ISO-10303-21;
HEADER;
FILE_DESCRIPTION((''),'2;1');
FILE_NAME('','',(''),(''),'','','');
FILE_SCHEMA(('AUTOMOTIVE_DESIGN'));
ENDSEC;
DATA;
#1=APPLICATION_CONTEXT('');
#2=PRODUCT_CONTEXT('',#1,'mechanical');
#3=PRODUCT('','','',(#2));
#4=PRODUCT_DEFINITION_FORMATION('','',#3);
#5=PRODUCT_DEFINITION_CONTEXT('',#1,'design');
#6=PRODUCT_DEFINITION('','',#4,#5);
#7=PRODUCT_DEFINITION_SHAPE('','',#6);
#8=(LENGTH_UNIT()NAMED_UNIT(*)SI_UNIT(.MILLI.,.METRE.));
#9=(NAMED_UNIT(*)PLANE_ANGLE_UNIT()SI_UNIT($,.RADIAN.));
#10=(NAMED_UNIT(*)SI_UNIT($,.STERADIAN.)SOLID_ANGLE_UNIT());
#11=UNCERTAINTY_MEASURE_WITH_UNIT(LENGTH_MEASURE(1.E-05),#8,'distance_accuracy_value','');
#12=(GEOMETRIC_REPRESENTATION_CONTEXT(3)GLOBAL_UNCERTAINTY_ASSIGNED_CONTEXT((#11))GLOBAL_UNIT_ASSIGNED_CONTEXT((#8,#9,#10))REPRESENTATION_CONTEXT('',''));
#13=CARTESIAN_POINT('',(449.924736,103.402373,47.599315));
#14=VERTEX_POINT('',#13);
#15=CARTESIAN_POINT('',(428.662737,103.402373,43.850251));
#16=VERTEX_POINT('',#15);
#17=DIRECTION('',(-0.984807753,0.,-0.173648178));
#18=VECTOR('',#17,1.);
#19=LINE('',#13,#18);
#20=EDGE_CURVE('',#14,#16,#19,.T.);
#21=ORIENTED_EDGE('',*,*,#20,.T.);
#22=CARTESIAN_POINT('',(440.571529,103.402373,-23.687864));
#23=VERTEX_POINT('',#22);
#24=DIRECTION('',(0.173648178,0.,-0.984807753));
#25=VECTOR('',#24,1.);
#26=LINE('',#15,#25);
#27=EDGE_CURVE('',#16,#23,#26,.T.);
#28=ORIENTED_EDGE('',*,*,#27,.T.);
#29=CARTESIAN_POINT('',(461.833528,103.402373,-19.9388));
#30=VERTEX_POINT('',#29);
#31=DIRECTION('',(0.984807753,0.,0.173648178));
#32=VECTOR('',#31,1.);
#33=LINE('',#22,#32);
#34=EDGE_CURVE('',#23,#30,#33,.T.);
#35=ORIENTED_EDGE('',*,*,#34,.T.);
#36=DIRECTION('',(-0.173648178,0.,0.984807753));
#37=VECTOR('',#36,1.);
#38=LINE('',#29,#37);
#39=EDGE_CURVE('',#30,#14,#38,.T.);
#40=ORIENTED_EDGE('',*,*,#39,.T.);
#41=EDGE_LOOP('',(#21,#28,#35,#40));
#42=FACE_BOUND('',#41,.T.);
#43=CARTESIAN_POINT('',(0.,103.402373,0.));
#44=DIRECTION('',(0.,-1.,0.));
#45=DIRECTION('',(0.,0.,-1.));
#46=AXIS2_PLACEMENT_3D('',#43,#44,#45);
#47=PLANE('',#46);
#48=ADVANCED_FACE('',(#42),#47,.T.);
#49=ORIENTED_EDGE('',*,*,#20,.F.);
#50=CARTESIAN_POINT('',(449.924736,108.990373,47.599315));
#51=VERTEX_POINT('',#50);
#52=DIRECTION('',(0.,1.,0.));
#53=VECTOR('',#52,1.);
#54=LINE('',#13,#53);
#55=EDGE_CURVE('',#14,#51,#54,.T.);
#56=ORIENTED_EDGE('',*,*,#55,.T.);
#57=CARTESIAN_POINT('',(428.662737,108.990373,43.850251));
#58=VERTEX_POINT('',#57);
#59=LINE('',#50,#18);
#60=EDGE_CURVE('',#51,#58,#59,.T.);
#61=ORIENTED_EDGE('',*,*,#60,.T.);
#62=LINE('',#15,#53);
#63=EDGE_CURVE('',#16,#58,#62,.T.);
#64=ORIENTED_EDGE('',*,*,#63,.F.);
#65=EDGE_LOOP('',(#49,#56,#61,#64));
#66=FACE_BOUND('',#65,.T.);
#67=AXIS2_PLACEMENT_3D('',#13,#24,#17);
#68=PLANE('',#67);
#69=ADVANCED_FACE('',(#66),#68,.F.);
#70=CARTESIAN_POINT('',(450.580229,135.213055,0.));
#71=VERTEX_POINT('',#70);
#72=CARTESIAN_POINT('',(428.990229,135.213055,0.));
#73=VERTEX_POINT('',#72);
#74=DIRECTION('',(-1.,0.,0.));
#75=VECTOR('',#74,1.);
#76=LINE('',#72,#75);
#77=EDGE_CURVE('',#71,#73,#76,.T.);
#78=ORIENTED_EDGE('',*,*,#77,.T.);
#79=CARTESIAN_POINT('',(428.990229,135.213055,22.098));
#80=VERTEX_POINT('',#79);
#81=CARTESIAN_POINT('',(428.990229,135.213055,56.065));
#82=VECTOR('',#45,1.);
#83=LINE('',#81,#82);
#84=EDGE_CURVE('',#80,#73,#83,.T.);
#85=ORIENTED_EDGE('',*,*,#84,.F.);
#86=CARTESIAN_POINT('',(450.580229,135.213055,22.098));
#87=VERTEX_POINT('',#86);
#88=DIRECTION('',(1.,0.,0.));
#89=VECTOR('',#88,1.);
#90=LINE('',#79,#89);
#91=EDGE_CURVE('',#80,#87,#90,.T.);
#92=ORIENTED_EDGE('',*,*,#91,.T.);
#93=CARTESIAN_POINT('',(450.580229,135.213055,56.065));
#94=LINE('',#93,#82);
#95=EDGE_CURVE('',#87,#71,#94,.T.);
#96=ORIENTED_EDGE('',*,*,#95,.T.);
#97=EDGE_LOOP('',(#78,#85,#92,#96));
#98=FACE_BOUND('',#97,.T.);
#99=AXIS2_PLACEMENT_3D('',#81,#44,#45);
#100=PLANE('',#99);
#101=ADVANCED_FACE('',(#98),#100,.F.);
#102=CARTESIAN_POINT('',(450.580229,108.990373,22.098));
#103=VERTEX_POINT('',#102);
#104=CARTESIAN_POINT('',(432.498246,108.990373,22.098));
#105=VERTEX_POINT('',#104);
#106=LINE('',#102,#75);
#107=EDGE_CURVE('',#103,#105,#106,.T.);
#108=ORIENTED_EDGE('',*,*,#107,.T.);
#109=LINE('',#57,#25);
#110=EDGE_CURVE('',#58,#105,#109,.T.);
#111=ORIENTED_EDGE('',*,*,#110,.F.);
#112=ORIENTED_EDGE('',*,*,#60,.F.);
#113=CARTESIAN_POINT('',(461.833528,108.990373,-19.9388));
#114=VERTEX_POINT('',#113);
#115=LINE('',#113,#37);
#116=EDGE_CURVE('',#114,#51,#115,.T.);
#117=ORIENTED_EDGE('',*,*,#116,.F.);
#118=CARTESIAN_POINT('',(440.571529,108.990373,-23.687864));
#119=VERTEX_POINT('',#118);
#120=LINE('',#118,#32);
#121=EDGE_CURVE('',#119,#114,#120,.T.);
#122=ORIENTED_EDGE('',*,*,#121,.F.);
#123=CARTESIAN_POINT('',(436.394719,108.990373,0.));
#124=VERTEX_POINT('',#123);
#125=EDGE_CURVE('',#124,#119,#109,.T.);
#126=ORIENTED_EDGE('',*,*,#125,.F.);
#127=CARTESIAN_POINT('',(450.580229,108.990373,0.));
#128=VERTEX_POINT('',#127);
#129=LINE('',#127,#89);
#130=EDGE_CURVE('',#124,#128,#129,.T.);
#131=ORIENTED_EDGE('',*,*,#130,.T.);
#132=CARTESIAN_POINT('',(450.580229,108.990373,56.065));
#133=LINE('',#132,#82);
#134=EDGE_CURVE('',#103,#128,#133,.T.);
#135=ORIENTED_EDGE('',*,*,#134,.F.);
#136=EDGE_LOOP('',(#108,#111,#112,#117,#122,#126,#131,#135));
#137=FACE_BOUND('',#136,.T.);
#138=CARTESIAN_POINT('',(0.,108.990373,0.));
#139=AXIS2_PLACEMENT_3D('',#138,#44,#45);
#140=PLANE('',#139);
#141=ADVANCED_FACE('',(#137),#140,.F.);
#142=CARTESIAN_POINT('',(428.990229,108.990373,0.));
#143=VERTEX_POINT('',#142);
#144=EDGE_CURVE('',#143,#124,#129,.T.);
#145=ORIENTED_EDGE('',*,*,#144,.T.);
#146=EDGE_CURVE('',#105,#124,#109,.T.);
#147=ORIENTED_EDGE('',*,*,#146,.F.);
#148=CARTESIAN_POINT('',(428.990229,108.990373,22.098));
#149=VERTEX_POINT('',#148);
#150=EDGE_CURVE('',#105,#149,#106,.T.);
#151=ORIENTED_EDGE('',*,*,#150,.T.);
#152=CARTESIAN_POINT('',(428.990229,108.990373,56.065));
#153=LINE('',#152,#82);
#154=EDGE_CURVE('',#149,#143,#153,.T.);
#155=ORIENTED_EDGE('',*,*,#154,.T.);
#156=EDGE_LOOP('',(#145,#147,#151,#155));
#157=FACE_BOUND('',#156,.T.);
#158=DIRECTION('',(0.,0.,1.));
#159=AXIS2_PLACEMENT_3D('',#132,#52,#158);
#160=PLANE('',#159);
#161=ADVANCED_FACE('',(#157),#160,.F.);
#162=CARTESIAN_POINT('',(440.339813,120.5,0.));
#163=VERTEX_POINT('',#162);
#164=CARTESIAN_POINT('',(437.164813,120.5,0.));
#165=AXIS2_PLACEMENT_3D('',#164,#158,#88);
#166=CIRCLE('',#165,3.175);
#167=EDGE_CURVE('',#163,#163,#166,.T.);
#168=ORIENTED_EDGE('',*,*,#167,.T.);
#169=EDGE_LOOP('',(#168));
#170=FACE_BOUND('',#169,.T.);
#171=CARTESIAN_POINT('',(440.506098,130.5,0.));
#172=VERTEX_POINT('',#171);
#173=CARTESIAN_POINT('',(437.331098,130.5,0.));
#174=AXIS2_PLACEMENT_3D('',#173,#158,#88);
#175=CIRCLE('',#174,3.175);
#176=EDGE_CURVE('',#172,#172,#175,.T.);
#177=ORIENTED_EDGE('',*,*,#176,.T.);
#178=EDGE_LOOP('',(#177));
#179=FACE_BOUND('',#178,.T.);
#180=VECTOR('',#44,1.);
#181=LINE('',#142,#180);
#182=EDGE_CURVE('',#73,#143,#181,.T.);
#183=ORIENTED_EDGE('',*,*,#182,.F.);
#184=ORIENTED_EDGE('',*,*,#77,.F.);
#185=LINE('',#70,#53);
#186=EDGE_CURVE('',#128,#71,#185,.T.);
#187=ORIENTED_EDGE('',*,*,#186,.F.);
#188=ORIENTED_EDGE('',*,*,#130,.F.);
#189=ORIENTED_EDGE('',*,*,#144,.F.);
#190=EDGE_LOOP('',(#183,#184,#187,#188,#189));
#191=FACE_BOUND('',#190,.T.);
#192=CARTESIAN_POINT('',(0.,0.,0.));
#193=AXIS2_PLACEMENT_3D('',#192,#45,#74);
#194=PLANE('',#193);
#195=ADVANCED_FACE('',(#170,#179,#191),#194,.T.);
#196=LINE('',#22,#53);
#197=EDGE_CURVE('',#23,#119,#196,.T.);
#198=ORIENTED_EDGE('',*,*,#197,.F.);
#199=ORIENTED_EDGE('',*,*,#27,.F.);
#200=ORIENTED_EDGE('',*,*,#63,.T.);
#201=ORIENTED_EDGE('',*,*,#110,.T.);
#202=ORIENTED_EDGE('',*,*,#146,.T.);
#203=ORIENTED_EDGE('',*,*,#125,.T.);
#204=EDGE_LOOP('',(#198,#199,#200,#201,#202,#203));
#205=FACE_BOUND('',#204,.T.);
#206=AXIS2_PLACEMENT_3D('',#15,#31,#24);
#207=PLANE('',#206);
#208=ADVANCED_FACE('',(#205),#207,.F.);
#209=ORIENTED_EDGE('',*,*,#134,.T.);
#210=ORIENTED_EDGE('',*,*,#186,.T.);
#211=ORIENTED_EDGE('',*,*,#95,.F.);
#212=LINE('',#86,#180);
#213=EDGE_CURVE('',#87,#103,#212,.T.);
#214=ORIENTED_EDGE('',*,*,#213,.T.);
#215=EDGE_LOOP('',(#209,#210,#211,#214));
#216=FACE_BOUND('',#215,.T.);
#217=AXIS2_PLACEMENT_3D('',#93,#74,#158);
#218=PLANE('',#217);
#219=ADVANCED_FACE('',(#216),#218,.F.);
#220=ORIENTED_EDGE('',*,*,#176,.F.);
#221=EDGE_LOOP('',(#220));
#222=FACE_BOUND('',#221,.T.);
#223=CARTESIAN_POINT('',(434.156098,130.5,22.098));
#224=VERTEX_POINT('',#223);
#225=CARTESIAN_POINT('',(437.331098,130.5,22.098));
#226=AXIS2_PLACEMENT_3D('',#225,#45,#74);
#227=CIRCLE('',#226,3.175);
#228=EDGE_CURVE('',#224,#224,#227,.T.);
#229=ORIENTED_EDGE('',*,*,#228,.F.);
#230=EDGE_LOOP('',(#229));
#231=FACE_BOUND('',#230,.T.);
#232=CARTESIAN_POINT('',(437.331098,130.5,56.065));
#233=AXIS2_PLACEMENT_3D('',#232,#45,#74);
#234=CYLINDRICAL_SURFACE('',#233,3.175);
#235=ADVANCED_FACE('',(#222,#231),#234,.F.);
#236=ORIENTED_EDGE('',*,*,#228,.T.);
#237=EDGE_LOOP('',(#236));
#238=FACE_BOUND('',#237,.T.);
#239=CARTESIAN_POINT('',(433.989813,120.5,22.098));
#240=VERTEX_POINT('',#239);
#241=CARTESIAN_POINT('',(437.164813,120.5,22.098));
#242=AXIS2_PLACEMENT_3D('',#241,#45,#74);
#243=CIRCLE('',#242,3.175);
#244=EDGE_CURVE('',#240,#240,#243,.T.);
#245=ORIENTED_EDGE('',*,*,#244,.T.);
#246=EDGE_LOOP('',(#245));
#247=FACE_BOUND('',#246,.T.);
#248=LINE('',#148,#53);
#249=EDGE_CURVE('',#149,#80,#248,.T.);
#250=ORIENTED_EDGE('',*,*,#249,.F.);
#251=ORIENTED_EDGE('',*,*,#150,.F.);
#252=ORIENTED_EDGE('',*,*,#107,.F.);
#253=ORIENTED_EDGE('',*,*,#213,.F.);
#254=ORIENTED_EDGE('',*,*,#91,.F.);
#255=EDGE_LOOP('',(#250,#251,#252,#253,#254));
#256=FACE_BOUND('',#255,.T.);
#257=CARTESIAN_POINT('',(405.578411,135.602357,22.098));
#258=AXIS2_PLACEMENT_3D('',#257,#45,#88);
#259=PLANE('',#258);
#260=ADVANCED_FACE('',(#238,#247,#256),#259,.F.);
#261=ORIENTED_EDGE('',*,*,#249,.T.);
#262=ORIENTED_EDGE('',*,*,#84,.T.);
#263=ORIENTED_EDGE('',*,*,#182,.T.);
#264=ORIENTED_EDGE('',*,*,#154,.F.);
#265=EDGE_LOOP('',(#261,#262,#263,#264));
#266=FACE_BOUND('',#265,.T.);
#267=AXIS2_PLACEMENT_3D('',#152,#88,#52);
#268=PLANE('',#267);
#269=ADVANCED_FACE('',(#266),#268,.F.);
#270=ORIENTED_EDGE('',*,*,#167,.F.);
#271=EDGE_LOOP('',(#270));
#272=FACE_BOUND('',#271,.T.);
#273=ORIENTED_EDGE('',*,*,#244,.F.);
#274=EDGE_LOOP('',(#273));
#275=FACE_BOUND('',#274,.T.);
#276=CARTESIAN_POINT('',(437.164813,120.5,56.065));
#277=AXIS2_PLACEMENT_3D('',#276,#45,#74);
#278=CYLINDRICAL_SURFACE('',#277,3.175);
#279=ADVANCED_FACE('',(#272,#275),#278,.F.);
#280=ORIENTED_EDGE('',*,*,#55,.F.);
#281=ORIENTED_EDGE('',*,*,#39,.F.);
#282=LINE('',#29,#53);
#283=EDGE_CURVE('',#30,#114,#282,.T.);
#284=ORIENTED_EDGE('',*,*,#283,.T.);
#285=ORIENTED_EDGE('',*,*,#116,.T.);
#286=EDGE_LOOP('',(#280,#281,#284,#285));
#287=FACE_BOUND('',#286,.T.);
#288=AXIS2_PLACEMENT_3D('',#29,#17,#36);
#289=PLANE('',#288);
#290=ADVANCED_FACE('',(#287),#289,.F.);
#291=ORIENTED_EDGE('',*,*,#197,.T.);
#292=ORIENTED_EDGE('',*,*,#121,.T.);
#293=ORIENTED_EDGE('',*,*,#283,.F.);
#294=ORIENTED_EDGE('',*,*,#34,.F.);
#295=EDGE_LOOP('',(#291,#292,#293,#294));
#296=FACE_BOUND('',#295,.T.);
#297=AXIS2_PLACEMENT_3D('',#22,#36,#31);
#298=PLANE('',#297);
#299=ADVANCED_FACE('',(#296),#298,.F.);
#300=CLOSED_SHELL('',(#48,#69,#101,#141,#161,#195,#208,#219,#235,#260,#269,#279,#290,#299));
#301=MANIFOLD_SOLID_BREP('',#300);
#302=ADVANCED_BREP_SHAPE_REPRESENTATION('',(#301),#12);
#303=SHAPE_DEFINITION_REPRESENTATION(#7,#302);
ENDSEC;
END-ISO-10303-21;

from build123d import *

# Parameters (mm, degrees)
SKETCH1_W           = 21.59
SKETCH1_H           = 26.222681286
SKETCH1_R           = 3.175
BOSS_EXTRUDE1_DEPTH = 22.098
BOSS_EXTRUDE2_DEPTH = 5.588


with BuildPart() as part:
    # Sketch1 → Boss-Extrude1 (new body)
    with BuildSketch(Plane.XY):
        with Locations((439.785229177, 122.101713944)):
            Rectangle(SKETCH1_W, SKETCH1_H)
        with Locations(Location((437.331098026, 130.5, 0), (0, 0, 180))):
            Circle(SKETCH1_R, mode=Mode.SUBTRACT)
        with Locations(Location((437.164813366, 120.5, 0), (0, 0, 180))):
            Circle(SKETCH1_R, mode=Mode.SUBTRACT)
    extrude(amount=BOSS_EXTRUDE1_DEPTH)

    # Sketch2 → Boss-Extrude2 (add)
    with BuildSketch(Plane(origin=(0, 108.990373301, 0), x_dir=(1, 0, 0), z_dir=(0, 1, 0))):
        Polygon((428.662736998, -43.850251272), (440.571529023, 23.68786443), (461.83352841, 19.938800274), (449.924736386, -47.599315428), align=None)
    extrude(amount=-BOSS_EXTRUDE2_DEPTH)


solid = part.part
